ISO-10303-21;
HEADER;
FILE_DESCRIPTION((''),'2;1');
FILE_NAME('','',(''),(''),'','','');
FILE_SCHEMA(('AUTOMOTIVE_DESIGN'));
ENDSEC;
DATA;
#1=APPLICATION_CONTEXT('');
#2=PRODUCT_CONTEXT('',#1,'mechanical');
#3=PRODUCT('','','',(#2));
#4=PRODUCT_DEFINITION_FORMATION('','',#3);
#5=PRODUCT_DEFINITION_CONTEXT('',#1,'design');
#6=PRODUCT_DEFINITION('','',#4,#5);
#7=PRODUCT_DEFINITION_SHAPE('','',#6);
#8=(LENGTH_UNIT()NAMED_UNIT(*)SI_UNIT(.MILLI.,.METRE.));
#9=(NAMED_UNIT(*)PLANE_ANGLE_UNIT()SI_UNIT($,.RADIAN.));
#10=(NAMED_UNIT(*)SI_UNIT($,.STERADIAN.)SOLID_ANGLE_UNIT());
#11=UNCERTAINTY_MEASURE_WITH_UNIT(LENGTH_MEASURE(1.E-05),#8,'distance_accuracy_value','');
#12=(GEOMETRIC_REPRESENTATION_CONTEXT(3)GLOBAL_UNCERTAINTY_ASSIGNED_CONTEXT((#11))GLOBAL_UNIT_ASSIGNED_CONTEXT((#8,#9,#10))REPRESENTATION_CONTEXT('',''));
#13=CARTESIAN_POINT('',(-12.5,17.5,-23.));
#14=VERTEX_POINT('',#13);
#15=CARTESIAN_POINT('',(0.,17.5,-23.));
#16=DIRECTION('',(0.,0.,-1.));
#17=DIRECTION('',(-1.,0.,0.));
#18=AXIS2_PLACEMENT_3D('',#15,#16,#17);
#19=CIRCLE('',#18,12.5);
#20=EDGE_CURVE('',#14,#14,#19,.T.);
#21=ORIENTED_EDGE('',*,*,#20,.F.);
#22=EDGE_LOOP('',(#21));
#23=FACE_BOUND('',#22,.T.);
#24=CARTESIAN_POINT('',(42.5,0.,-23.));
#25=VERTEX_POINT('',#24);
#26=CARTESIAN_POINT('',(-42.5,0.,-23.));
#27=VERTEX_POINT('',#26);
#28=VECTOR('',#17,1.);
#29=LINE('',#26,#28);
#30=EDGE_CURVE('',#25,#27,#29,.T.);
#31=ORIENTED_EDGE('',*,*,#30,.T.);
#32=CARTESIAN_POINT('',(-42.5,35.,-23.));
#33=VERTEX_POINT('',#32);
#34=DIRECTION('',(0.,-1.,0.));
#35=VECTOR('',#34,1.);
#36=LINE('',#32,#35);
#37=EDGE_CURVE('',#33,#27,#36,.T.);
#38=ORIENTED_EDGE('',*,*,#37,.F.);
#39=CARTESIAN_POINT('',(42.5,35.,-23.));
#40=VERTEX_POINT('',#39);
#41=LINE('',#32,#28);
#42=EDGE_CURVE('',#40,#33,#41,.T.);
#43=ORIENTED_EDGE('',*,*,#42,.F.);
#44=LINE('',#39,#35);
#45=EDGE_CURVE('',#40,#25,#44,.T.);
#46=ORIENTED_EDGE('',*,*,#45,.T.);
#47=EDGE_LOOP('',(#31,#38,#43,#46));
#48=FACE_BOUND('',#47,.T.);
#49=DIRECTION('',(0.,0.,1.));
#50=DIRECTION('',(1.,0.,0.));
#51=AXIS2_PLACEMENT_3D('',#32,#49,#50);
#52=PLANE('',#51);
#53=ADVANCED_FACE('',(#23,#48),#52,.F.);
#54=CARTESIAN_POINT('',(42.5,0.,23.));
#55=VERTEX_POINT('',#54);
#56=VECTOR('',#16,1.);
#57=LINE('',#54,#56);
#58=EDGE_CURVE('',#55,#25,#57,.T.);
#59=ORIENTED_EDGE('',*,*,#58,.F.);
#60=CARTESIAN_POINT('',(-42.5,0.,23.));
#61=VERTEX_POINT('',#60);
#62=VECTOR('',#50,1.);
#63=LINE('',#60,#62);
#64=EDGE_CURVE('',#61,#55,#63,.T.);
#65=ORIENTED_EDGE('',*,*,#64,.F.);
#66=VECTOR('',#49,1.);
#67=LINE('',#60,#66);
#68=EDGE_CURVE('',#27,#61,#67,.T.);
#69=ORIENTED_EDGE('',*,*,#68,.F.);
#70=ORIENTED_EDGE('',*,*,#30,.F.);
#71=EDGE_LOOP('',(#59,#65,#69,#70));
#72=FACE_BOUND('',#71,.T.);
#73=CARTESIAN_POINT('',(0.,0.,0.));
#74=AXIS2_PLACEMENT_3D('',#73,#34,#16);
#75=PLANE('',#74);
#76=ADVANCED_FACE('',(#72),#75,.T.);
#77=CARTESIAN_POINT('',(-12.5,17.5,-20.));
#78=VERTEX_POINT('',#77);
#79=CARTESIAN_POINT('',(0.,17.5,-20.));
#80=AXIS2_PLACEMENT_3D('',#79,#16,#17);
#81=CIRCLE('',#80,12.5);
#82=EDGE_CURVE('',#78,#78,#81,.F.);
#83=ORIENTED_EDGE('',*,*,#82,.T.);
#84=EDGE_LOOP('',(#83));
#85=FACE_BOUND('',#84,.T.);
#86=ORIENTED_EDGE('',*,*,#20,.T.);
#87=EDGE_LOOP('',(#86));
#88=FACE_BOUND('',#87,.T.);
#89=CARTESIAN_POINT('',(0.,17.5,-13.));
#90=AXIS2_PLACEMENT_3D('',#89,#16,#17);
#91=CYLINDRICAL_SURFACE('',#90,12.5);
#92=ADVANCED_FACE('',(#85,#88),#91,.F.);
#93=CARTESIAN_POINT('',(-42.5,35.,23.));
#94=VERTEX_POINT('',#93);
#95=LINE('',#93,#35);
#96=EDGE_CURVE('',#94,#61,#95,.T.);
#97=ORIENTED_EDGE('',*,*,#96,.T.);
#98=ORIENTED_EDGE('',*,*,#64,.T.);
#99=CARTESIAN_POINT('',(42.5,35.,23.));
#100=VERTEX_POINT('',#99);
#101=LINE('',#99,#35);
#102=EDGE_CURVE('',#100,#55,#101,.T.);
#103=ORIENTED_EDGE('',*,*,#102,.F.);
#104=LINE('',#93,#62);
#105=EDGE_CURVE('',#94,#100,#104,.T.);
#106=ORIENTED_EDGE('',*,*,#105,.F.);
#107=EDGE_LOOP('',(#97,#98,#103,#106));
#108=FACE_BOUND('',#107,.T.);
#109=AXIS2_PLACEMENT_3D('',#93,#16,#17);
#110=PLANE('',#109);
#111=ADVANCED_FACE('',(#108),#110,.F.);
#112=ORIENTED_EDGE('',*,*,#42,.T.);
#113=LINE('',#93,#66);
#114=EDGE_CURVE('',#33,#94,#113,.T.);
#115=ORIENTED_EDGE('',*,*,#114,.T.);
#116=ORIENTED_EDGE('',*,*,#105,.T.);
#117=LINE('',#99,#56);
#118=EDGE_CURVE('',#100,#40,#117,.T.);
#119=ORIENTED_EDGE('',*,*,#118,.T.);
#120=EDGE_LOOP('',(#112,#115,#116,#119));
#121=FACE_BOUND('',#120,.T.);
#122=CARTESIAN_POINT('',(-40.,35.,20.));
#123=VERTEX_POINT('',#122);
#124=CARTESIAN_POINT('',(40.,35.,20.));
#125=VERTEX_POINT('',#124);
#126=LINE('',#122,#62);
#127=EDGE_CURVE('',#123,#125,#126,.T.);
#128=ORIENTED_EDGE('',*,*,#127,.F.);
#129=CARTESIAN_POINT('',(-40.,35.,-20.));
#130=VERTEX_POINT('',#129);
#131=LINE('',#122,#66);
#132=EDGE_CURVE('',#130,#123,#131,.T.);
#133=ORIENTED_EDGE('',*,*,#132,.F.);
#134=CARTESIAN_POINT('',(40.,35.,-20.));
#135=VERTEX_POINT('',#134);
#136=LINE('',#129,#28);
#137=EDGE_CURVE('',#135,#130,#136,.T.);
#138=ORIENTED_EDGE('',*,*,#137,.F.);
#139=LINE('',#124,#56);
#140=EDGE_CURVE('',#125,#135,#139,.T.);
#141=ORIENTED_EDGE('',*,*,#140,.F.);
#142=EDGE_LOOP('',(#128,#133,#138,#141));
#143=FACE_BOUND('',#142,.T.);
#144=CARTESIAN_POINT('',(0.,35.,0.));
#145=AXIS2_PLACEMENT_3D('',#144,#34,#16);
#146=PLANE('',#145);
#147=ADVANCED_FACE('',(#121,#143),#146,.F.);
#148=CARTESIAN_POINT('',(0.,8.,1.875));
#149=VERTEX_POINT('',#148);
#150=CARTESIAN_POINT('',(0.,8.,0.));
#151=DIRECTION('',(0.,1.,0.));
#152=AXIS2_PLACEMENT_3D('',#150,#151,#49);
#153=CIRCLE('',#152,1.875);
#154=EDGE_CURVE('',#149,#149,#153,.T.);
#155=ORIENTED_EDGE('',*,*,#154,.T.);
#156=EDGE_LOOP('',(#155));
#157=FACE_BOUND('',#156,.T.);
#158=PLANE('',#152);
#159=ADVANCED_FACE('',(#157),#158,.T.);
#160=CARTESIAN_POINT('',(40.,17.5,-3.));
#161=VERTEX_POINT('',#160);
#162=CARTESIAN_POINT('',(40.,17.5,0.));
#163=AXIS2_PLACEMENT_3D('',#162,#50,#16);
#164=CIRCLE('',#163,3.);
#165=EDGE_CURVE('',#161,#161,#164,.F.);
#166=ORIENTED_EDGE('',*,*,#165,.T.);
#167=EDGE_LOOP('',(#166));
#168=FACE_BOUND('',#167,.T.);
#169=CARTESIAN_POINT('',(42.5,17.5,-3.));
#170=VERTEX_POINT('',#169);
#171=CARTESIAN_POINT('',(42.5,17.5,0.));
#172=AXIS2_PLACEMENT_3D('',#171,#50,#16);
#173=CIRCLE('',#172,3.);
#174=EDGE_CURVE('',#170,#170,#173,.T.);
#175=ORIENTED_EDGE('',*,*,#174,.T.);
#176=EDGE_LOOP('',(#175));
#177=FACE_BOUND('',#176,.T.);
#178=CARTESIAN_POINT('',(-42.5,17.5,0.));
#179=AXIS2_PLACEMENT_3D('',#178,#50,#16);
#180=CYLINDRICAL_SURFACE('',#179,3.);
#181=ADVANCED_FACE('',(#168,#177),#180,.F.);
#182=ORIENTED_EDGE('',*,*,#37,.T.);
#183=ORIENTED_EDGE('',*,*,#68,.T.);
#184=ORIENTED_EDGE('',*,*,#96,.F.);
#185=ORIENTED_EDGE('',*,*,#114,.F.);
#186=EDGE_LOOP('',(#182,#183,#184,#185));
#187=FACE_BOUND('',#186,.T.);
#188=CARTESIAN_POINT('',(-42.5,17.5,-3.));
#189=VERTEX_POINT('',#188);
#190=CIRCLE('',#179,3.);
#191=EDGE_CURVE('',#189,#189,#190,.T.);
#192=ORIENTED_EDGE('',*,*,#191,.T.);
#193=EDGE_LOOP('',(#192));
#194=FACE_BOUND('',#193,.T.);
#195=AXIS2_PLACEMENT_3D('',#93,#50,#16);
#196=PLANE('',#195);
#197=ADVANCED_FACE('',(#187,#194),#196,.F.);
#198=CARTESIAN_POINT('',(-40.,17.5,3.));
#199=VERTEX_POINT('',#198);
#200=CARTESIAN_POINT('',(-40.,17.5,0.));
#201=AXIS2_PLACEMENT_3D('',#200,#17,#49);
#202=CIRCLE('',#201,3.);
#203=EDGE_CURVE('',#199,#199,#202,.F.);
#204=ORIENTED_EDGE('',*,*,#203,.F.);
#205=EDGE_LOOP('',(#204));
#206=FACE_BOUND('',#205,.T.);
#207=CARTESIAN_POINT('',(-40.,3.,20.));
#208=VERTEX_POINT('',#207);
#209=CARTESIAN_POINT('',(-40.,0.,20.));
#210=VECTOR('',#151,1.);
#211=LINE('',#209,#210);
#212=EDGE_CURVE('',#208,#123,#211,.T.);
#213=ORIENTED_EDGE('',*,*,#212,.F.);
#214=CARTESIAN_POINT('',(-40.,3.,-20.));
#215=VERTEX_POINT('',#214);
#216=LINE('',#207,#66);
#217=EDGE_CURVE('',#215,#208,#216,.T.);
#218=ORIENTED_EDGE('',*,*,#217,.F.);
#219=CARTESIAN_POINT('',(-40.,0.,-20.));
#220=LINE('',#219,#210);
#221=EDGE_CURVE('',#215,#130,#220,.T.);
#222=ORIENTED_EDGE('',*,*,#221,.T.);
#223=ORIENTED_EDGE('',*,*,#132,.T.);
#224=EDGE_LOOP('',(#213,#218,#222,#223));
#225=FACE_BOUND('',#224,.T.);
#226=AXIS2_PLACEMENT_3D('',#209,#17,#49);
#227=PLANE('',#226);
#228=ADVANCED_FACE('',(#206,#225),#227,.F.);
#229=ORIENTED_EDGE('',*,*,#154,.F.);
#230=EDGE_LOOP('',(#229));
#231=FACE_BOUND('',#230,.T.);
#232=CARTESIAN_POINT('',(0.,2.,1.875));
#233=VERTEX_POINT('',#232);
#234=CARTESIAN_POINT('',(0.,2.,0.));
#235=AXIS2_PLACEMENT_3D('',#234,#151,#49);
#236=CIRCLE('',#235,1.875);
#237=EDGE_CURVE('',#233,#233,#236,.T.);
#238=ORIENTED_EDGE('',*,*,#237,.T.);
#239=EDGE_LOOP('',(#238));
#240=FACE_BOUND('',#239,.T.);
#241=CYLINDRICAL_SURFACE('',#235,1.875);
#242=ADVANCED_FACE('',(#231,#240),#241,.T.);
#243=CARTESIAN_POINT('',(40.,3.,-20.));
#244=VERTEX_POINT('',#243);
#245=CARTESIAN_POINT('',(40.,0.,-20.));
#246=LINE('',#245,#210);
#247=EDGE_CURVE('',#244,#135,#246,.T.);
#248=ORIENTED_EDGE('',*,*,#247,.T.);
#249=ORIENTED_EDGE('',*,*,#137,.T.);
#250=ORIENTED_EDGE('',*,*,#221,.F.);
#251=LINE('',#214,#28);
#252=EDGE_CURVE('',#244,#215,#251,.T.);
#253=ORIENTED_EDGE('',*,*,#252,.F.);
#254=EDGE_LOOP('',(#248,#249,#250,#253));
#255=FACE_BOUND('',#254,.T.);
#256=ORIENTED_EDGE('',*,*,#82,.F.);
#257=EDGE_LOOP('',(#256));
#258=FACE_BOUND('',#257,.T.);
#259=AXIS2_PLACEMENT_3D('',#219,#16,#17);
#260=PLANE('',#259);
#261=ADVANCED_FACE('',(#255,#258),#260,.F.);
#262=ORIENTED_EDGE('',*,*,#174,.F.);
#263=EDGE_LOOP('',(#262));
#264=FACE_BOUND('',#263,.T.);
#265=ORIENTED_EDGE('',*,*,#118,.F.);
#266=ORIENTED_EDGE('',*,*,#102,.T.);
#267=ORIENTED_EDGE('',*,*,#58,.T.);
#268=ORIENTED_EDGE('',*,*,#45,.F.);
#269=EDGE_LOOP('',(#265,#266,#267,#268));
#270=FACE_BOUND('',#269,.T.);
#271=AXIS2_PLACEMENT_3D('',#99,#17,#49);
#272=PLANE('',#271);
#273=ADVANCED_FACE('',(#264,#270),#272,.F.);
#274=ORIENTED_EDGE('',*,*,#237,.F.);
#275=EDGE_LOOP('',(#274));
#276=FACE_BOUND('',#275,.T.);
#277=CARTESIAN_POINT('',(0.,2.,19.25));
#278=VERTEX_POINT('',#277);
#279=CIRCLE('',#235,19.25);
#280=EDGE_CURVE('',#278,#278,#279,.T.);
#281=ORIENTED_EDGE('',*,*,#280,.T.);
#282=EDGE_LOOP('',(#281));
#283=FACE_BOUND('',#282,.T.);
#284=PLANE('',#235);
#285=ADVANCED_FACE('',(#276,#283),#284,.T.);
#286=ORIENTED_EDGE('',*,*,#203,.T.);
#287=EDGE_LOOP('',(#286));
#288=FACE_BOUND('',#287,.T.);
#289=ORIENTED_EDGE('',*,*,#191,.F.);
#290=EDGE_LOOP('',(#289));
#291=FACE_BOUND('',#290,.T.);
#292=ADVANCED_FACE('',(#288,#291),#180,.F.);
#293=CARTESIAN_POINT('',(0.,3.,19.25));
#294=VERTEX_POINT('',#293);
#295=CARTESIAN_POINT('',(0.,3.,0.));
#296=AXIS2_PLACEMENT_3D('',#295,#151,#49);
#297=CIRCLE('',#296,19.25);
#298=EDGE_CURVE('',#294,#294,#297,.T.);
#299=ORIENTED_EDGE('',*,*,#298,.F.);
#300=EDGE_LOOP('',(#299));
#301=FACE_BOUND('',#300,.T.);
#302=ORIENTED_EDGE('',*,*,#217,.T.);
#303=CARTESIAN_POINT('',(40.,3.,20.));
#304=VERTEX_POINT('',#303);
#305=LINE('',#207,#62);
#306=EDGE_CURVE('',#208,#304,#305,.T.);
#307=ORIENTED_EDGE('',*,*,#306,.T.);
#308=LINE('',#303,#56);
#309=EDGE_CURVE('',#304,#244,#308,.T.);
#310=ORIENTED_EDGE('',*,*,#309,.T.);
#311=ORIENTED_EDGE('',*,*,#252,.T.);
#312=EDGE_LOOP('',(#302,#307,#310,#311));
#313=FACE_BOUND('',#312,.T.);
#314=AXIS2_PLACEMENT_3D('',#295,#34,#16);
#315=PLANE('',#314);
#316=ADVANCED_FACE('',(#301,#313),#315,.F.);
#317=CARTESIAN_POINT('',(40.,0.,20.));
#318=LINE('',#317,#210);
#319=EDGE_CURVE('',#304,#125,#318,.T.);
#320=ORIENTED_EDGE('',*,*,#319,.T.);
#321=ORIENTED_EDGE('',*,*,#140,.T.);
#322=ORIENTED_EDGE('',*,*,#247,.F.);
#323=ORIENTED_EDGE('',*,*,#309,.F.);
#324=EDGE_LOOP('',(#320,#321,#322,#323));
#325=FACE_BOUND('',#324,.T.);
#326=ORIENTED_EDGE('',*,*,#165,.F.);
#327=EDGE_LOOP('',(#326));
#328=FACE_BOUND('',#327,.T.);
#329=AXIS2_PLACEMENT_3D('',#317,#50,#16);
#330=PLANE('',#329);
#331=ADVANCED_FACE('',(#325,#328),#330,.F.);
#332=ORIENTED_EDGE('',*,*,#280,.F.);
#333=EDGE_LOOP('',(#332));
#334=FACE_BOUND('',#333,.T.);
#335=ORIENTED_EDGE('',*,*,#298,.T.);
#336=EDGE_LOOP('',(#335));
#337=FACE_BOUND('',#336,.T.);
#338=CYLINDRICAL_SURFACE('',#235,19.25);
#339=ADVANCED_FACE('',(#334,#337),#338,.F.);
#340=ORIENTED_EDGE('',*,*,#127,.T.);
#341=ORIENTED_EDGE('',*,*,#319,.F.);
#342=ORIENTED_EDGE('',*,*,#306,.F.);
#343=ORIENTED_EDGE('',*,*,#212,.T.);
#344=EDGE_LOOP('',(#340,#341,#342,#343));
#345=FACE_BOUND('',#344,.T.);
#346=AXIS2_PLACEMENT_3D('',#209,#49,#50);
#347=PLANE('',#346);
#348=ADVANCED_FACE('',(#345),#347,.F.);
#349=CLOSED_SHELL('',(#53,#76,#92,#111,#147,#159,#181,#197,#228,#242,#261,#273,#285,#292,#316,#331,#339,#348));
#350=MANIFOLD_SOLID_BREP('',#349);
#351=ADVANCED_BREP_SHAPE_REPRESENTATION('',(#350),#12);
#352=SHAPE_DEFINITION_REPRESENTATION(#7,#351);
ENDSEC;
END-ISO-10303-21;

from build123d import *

# Parameters (mm, degrees)
SKETCH1_W           = 85
SKETCH1_H           = 46
BOSS_EXTRUDE1_DEPTH = 35
SKETCH3_R           = 12.5
CUT_EXTRUDE2_DEPTH  = 10
SKETCH4_R           = 3
CUT_EXTRUDE3_DEPTH  = 95.757585448
SKETCH2_W           = 80
SKETCH2_H           = 40
CUT_EXTRUDE4_DEPTH  = 60.667830529
SKETCH5_W           = 80
SKETCH5_H           = 40
BOSS_EXTRUDE2_DEPTH = 3
SKETCH6_R           = 19.25
SKETCH6_R_2         = 1.875
CUT_EXTRUDE6_DEPTH  = 1
BOSS_EXTRUDE3_START = 5
SKETCH7_R           = 1.875
BOSS_EXTRUDE3_DEPTH = 5


with BuildPart() as part:
    # Sketch1 → Boss-Extrude1 (new body)
    with BuildSketch(Plane(origin=(0, 0, 0), x_dir=(1, 0, 0), z_dir=(0, 1, 0))):
        Rectangle(SKETCH1_W, SKETCH1_H)
    extrude(amount=BOSS_EXTRUDE1_DEPTH)

    # Sketch3 → Cut-Extrude2 (cut)
    with BuildSketch(Plane(origin=(0, 0, -23), x_dir=(-1, 0, 0), z_dir=(0, 0, -1))):
        with Locations((0, 17.5)):
            Circle(SKETCH3_R)
    extrude(amount=-CUT_EXTRUDE2_DEPTH, mode=Mode.SUBTRACT)

    # Sketch4 → Cut-Extrude3 (cut, through all)
    with BuildSketch(Plane(origin=(42.5, 0, 0), x_dir=(0, 0, -1), z_dir=(1, 0, 0))):
        with Locations((0, 17.5)):
            Circle(SKETCH4_R)
    extrude(amount=-CUT_EXTRUDE3_DEPTH, mode=Mode.SUBTRACT)

    # Sketch2 → Cut-Extrude4 (cut, through all)
    with BuildSketch(Plane(origin=(0, 35, 0), x_dir=(1, 0, 0), z_dir=(0, 1, 0))):
        Rectangle(SKETCH2_W, SKETCH2_H)
    extrude(amount=-CUT_EXTRUDE4_DEPTH, mode=Mode.SUBTRACT)

    # Sketch5 → Boss-Extrude2 (add)
    with BuildSketch(Plane(origin=(0, 0, 0), x_dir=(1, 0, 0), z_dir=(0, 1, 0))):
        Rectangle(SKETCH5_W, SKETCH5_H)
    extrude(amount=BOSS_EXTRUDE2_DEPTH)

    # Sketch6 → Cut-Extrude6 (cut)
    with BuildSketch(Plane(origin=(0, 3, 0), x_dir=(1, 0, 0), z_dir=(0, 1, 0))):
        with Locations(Location((0, 0, 0), (0, 0, 270))):
            Circle(SKETCH6_R)
        with Locations(Location((0, 0, 0), (0, 0, 270))):
            Circle(SKETCH6_R_2, mode=Mode.SUBTRACT)
    extrude(amount=-CUT_EXTRUDE6_DEPTH, mode=Mode.SUBTRACT)

    # Sketch7 → Boss-Extrude3 (add)
    with BuildSketch(Plane(origin=(0, 3, 0), x_dir=(1, 0, 0), z_dir=(0, 1, 0)).offset(BOSS_EXTRUDE3_START)):
        with Locations(Location((0, 0, 0), (0, 0, 270))):
            Circle(SKETCH7_R)
    extrude(amount=-BOSS_EXTRUDE3_DEPTH)


solid = part.part
